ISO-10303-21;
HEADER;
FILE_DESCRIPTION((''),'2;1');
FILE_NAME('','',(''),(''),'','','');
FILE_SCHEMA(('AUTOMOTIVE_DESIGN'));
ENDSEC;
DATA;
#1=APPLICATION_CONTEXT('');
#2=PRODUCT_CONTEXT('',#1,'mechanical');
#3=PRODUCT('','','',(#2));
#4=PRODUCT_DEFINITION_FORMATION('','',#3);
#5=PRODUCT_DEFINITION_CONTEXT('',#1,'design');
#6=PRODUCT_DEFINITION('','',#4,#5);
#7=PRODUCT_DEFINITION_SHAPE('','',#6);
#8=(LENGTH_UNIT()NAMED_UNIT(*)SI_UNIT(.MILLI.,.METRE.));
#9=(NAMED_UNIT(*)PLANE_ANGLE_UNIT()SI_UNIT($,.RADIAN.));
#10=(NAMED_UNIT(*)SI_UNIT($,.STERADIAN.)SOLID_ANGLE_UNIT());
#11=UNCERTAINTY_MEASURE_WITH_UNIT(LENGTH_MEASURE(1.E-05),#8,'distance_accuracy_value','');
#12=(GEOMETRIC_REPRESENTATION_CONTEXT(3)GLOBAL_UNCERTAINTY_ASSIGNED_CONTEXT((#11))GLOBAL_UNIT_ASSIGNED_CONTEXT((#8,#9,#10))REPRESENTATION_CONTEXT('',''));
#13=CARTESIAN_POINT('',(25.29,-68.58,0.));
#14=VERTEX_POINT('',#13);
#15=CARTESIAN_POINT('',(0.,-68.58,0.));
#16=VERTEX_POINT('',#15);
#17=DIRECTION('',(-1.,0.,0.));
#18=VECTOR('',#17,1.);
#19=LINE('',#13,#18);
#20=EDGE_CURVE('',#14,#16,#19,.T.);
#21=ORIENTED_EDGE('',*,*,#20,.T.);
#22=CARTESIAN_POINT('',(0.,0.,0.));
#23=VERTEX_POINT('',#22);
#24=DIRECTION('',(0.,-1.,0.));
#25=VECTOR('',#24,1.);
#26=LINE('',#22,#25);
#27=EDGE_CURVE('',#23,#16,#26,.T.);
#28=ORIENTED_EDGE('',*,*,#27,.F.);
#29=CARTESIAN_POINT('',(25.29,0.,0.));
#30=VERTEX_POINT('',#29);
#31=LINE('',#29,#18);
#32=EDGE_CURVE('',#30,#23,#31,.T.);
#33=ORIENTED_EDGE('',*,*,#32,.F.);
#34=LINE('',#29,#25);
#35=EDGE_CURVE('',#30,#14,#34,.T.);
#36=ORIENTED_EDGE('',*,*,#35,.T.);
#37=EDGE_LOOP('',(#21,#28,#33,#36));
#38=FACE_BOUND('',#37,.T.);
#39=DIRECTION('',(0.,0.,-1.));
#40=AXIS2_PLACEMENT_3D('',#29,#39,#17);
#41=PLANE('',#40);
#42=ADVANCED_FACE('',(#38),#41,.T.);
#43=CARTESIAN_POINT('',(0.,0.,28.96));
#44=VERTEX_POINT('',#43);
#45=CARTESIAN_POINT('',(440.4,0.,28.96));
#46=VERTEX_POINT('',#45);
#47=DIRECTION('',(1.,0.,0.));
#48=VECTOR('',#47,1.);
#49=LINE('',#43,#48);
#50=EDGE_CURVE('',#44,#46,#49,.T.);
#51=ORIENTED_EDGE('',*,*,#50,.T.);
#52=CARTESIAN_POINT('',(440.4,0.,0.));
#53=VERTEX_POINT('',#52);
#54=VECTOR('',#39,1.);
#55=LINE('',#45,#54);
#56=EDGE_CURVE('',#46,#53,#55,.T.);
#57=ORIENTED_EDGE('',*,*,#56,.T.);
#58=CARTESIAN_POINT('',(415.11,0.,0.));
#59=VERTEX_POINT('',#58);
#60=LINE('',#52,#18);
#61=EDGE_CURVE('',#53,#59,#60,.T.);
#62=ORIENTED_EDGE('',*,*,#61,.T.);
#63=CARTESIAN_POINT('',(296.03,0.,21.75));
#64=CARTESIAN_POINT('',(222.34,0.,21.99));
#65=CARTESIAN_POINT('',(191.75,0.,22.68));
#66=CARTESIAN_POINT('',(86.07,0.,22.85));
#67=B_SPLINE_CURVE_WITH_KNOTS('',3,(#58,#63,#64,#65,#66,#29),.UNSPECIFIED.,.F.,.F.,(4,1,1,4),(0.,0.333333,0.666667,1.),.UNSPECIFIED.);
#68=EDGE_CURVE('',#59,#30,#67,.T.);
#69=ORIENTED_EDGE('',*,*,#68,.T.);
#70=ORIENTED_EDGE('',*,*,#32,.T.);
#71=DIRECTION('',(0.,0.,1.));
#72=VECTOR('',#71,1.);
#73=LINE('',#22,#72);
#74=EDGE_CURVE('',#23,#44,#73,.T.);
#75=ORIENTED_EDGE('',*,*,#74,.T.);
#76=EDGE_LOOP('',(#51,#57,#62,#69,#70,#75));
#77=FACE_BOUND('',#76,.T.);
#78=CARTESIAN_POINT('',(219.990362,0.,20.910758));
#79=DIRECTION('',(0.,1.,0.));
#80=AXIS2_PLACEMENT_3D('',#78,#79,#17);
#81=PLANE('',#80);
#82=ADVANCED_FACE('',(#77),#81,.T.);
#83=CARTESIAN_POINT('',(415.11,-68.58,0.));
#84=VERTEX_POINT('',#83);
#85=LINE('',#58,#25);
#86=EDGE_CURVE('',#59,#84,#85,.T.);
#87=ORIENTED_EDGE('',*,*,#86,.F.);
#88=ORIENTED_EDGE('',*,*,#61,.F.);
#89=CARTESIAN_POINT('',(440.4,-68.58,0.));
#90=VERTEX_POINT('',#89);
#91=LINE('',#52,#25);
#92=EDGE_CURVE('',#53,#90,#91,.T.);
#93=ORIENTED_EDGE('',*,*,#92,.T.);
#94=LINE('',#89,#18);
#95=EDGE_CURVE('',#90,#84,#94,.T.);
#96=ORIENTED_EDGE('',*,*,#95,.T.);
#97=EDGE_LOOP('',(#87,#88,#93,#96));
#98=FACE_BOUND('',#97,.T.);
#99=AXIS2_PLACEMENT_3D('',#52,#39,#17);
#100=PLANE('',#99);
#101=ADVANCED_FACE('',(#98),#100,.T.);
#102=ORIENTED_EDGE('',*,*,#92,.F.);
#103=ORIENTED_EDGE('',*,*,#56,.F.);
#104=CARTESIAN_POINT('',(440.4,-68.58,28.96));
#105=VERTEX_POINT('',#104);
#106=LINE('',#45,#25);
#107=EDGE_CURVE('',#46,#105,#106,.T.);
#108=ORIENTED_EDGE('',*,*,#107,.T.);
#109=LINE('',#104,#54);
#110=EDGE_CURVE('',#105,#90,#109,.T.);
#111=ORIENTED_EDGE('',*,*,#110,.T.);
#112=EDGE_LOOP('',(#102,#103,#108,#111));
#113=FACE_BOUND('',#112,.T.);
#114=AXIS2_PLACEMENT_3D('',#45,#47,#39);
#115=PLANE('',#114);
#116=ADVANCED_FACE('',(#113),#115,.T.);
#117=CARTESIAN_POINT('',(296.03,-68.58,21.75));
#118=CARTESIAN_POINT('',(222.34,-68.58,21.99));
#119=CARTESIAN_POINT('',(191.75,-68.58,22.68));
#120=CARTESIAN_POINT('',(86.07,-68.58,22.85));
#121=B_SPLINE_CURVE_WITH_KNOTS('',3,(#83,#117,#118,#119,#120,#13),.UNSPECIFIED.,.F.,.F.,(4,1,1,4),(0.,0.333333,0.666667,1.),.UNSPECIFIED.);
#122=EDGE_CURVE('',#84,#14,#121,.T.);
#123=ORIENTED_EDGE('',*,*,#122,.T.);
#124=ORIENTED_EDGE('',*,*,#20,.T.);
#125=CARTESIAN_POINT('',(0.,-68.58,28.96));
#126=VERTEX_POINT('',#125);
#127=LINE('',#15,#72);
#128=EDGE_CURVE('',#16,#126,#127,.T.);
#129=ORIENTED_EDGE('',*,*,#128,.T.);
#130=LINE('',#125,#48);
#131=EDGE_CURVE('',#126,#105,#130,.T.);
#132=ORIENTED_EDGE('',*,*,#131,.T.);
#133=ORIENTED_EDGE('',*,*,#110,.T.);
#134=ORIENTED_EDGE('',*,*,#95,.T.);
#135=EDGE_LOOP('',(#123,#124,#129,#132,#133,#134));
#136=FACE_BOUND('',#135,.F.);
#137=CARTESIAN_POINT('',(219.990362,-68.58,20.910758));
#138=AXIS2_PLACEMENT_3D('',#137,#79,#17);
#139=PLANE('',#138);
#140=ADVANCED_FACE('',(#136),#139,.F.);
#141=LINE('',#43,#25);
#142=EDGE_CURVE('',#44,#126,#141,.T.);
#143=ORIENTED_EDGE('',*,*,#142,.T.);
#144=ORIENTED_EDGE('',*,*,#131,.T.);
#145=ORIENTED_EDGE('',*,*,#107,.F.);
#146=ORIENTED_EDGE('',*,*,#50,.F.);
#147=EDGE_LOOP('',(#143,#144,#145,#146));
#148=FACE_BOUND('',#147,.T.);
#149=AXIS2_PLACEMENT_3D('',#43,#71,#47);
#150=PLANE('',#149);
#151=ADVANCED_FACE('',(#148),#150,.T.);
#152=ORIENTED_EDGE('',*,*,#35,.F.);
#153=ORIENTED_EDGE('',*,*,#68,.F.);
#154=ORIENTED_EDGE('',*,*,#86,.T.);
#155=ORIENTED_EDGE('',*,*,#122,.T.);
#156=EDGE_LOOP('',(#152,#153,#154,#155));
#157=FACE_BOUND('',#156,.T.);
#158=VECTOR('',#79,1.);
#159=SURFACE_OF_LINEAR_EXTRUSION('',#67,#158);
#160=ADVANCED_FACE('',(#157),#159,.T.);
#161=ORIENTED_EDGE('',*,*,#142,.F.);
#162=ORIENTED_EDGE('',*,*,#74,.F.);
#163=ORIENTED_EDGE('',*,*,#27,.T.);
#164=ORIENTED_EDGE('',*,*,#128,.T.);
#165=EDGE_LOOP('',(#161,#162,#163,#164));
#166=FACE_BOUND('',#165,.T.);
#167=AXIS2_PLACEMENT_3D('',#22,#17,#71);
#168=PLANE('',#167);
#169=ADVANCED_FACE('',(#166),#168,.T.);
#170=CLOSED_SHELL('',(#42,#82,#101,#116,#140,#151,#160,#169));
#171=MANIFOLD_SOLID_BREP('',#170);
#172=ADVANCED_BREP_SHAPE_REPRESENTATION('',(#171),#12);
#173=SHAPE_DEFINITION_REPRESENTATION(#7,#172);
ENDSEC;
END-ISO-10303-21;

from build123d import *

# Parameters (mm, degrees)
BAR_DEPTH = 68.58


with BuildPart() as part:
    # Sketch → Bar (new body)
    with BuildSketch(Plane.XZ):
        with BuildLine():
            Line((25.29, 0), (0, 0))
            Line((0, 0), (0, 28.96))
            Line((0, 28.96), (440.4, 28.96))
            Line((440.4, 28.96), (440.4, 0))
            Line((440.4, 0), (415.11, 0))
            add(Edge.make_bspline(
                [(415.11, 0), (296.03, 21.75), (222.34, 21.99), (191.75, 22.68), (86.07, 22.85), (25.29, 0)],
                knots=[0, 0, 0, 0, 0.333333, 0.666667, 1, 1, 1, 1], degree=3))
        make_face()
    extrude(amount=BAR_DEPTH)


solid = part.part
